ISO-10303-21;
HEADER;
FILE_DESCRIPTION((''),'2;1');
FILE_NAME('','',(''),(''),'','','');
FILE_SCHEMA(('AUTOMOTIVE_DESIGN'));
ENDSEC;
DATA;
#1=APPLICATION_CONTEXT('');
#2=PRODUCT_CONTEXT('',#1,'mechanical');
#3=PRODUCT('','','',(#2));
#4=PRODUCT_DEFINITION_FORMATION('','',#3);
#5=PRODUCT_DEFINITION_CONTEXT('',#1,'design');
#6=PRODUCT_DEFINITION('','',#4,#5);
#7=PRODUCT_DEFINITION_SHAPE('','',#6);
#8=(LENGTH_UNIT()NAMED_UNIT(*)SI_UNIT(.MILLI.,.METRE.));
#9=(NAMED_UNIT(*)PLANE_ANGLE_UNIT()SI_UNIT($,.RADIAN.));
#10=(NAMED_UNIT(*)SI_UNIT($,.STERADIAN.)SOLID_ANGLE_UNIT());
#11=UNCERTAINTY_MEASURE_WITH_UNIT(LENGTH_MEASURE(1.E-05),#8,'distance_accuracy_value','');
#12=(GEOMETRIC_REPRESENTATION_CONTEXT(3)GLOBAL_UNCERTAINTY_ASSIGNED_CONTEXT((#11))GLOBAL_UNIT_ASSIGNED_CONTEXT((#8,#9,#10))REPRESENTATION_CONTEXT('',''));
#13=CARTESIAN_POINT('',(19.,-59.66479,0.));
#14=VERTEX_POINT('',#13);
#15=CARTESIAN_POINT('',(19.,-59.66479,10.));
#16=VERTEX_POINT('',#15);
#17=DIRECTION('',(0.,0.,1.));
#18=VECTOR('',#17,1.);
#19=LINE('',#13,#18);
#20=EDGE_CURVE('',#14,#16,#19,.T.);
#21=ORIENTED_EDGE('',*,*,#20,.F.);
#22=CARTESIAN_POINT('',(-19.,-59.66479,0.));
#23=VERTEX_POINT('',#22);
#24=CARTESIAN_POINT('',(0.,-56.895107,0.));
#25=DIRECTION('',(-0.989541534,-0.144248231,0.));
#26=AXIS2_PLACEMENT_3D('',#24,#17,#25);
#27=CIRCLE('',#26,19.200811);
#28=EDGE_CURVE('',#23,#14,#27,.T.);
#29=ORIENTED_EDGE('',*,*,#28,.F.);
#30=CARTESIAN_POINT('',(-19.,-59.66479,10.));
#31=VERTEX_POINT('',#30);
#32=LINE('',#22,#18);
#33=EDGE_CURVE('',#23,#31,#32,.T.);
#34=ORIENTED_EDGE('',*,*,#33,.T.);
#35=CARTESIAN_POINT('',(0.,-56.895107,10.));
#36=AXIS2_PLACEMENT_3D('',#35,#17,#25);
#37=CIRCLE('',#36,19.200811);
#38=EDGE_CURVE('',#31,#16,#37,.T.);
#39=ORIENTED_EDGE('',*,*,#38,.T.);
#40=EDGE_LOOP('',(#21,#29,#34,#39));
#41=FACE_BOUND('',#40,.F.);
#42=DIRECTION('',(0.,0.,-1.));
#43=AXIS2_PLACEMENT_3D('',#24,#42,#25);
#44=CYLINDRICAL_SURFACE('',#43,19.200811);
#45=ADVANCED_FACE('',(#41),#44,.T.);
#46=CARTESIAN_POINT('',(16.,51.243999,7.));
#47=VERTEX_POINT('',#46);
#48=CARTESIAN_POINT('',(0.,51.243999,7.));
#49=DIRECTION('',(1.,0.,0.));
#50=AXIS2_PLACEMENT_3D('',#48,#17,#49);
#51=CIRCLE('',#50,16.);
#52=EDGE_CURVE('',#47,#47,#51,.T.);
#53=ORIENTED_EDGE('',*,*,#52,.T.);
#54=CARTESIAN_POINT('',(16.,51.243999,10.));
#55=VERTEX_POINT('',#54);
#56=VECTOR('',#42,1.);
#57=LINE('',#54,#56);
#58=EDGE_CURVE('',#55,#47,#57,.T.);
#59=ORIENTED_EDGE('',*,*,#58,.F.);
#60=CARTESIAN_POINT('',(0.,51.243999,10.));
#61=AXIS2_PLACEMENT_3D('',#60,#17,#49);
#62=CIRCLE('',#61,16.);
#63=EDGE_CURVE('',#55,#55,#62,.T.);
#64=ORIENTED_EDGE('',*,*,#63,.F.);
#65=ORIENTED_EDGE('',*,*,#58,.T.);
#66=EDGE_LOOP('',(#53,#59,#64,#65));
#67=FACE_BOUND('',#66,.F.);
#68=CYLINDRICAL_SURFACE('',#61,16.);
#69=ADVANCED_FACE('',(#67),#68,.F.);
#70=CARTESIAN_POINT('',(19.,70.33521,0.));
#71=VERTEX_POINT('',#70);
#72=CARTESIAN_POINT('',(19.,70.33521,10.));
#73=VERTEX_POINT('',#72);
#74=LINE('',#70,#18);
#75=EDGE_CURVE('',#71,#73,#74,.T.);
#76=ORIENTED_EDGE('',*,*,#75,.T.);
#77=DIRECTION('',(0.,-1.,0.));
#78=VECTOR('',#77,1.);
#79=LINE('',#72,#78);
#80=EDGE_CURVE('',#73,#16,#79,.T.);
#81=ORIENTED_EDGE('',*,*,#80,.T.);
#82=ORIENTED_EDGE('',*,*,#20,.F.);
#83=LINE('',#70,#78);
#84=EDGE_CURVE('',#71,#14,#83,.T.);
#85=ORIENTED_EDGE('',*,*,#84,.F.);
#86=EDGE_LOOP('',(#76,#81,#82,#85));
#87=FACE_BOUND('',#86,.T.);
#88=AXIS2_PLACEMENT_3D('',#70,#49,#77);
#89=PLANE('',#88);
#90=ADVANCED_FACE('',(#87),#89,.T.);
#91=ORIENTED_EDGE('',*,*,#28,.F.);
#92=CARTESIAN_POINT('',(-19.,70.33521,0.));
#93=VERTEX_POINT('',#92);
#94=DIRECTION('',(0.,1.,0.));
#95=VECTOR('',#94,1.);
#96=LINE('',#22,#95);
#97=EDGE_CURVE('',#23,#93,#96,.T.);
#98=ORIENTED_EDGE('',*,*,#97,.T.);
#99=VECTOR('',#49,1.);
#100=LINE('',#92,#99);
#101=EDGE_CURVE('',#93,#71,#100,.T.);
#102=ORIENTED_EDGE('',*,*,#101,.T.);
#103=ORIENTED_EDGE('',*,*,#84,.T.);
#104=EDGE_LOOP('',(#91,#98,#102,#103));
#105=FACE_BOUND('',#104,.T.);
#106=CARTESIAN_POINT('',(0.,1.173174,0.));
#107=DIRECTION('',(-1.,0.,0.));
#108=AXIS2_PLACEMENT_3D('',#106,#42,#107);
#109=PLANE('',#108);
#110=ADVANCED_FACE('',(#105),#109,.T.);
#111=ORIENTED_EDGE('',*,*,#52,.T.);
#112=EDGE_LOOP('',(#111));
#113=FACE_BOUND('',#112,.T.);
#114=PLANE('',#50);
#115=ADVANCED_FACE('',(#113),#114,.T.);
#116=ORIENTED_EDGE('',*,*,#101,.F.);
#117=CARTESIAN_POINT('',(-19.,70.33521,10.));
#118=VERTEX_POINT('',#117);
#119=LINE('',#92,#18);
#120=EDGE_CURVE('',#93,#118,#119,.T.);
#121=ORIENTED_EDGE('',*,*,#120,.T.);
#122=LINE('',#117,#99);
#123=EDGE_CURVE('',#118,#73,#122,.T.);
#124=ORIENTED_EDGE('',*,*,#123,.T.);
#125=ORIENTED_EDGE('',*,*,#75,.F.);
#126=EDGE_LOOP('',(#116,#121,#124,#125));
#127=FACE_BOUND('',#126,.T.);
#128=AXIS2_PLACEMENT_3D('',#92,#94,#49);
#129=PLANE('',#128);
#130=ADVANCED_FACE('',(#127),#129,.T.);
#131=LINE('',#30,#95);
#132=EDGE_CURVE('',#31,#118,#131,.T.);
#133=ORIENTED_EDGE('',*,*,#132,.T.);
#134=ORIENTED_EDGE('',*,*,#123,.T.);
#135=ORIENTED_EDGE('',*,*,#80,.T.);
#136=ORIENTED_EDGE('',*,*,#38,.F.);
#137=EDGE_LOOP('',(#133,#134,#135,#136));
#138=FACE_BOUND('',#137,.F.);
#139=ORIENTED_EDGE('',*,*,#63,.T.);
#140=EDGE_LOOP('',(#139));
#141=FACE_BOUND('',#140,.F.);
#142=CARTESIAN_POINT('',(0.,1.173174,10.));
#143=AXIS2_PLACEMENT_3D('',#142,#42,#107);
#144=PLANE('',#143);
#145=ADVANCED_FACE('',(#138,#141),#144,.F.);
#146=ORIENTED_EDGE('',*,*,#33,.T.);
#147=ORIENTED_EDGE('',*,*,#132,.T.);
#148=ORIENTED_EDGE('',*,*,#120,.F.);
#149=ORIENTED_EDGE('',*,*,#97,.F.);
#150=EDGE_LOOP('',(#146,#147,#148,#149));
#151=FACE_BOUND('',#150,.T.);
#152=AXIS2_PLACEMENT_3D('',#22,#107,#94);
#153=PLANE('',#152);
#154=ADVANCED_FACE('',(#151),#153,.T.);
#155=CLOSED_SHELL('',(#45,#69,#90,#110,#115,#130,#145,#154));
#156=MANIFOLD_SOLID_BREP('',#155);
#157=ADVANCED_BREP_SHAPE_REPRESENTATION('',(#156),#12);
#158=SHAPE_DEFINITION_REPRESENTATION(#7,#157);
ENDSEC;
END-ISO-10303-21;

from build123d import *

# Parameters (mm, degrees)
PAD_DEPTH    = 10
SKETCH001_R  = 16
POCKET_DEPTH = 3


with BuildPart() as part:
    # Sketch → Pad (new body)
    with BuildSketch(Plane.XY):
        with BuildLine():
            Line((-19, 70.33521), (19, 70.33521))
            Line((19, 70.33521), (19, -59.66479))
            ThreePointArc((-19, -59.66479), (0, -76.095918), (19, -59.66479))
            Line((-19, -59.66479), (-19, 70.33521))
        make_face()
    extrude(amount=PAD_DEPTH)

    # Sketch001 → Pocket (cut)
    with BuildSketch(Plane.XY.offset(10)):
        with Locations((0, 51.243999)):
            Circle(SKETCH001_R)
    extrude(amount=-POCKET_DEPTH, mode=Mode.SUBTRACT)


solid = part.part
